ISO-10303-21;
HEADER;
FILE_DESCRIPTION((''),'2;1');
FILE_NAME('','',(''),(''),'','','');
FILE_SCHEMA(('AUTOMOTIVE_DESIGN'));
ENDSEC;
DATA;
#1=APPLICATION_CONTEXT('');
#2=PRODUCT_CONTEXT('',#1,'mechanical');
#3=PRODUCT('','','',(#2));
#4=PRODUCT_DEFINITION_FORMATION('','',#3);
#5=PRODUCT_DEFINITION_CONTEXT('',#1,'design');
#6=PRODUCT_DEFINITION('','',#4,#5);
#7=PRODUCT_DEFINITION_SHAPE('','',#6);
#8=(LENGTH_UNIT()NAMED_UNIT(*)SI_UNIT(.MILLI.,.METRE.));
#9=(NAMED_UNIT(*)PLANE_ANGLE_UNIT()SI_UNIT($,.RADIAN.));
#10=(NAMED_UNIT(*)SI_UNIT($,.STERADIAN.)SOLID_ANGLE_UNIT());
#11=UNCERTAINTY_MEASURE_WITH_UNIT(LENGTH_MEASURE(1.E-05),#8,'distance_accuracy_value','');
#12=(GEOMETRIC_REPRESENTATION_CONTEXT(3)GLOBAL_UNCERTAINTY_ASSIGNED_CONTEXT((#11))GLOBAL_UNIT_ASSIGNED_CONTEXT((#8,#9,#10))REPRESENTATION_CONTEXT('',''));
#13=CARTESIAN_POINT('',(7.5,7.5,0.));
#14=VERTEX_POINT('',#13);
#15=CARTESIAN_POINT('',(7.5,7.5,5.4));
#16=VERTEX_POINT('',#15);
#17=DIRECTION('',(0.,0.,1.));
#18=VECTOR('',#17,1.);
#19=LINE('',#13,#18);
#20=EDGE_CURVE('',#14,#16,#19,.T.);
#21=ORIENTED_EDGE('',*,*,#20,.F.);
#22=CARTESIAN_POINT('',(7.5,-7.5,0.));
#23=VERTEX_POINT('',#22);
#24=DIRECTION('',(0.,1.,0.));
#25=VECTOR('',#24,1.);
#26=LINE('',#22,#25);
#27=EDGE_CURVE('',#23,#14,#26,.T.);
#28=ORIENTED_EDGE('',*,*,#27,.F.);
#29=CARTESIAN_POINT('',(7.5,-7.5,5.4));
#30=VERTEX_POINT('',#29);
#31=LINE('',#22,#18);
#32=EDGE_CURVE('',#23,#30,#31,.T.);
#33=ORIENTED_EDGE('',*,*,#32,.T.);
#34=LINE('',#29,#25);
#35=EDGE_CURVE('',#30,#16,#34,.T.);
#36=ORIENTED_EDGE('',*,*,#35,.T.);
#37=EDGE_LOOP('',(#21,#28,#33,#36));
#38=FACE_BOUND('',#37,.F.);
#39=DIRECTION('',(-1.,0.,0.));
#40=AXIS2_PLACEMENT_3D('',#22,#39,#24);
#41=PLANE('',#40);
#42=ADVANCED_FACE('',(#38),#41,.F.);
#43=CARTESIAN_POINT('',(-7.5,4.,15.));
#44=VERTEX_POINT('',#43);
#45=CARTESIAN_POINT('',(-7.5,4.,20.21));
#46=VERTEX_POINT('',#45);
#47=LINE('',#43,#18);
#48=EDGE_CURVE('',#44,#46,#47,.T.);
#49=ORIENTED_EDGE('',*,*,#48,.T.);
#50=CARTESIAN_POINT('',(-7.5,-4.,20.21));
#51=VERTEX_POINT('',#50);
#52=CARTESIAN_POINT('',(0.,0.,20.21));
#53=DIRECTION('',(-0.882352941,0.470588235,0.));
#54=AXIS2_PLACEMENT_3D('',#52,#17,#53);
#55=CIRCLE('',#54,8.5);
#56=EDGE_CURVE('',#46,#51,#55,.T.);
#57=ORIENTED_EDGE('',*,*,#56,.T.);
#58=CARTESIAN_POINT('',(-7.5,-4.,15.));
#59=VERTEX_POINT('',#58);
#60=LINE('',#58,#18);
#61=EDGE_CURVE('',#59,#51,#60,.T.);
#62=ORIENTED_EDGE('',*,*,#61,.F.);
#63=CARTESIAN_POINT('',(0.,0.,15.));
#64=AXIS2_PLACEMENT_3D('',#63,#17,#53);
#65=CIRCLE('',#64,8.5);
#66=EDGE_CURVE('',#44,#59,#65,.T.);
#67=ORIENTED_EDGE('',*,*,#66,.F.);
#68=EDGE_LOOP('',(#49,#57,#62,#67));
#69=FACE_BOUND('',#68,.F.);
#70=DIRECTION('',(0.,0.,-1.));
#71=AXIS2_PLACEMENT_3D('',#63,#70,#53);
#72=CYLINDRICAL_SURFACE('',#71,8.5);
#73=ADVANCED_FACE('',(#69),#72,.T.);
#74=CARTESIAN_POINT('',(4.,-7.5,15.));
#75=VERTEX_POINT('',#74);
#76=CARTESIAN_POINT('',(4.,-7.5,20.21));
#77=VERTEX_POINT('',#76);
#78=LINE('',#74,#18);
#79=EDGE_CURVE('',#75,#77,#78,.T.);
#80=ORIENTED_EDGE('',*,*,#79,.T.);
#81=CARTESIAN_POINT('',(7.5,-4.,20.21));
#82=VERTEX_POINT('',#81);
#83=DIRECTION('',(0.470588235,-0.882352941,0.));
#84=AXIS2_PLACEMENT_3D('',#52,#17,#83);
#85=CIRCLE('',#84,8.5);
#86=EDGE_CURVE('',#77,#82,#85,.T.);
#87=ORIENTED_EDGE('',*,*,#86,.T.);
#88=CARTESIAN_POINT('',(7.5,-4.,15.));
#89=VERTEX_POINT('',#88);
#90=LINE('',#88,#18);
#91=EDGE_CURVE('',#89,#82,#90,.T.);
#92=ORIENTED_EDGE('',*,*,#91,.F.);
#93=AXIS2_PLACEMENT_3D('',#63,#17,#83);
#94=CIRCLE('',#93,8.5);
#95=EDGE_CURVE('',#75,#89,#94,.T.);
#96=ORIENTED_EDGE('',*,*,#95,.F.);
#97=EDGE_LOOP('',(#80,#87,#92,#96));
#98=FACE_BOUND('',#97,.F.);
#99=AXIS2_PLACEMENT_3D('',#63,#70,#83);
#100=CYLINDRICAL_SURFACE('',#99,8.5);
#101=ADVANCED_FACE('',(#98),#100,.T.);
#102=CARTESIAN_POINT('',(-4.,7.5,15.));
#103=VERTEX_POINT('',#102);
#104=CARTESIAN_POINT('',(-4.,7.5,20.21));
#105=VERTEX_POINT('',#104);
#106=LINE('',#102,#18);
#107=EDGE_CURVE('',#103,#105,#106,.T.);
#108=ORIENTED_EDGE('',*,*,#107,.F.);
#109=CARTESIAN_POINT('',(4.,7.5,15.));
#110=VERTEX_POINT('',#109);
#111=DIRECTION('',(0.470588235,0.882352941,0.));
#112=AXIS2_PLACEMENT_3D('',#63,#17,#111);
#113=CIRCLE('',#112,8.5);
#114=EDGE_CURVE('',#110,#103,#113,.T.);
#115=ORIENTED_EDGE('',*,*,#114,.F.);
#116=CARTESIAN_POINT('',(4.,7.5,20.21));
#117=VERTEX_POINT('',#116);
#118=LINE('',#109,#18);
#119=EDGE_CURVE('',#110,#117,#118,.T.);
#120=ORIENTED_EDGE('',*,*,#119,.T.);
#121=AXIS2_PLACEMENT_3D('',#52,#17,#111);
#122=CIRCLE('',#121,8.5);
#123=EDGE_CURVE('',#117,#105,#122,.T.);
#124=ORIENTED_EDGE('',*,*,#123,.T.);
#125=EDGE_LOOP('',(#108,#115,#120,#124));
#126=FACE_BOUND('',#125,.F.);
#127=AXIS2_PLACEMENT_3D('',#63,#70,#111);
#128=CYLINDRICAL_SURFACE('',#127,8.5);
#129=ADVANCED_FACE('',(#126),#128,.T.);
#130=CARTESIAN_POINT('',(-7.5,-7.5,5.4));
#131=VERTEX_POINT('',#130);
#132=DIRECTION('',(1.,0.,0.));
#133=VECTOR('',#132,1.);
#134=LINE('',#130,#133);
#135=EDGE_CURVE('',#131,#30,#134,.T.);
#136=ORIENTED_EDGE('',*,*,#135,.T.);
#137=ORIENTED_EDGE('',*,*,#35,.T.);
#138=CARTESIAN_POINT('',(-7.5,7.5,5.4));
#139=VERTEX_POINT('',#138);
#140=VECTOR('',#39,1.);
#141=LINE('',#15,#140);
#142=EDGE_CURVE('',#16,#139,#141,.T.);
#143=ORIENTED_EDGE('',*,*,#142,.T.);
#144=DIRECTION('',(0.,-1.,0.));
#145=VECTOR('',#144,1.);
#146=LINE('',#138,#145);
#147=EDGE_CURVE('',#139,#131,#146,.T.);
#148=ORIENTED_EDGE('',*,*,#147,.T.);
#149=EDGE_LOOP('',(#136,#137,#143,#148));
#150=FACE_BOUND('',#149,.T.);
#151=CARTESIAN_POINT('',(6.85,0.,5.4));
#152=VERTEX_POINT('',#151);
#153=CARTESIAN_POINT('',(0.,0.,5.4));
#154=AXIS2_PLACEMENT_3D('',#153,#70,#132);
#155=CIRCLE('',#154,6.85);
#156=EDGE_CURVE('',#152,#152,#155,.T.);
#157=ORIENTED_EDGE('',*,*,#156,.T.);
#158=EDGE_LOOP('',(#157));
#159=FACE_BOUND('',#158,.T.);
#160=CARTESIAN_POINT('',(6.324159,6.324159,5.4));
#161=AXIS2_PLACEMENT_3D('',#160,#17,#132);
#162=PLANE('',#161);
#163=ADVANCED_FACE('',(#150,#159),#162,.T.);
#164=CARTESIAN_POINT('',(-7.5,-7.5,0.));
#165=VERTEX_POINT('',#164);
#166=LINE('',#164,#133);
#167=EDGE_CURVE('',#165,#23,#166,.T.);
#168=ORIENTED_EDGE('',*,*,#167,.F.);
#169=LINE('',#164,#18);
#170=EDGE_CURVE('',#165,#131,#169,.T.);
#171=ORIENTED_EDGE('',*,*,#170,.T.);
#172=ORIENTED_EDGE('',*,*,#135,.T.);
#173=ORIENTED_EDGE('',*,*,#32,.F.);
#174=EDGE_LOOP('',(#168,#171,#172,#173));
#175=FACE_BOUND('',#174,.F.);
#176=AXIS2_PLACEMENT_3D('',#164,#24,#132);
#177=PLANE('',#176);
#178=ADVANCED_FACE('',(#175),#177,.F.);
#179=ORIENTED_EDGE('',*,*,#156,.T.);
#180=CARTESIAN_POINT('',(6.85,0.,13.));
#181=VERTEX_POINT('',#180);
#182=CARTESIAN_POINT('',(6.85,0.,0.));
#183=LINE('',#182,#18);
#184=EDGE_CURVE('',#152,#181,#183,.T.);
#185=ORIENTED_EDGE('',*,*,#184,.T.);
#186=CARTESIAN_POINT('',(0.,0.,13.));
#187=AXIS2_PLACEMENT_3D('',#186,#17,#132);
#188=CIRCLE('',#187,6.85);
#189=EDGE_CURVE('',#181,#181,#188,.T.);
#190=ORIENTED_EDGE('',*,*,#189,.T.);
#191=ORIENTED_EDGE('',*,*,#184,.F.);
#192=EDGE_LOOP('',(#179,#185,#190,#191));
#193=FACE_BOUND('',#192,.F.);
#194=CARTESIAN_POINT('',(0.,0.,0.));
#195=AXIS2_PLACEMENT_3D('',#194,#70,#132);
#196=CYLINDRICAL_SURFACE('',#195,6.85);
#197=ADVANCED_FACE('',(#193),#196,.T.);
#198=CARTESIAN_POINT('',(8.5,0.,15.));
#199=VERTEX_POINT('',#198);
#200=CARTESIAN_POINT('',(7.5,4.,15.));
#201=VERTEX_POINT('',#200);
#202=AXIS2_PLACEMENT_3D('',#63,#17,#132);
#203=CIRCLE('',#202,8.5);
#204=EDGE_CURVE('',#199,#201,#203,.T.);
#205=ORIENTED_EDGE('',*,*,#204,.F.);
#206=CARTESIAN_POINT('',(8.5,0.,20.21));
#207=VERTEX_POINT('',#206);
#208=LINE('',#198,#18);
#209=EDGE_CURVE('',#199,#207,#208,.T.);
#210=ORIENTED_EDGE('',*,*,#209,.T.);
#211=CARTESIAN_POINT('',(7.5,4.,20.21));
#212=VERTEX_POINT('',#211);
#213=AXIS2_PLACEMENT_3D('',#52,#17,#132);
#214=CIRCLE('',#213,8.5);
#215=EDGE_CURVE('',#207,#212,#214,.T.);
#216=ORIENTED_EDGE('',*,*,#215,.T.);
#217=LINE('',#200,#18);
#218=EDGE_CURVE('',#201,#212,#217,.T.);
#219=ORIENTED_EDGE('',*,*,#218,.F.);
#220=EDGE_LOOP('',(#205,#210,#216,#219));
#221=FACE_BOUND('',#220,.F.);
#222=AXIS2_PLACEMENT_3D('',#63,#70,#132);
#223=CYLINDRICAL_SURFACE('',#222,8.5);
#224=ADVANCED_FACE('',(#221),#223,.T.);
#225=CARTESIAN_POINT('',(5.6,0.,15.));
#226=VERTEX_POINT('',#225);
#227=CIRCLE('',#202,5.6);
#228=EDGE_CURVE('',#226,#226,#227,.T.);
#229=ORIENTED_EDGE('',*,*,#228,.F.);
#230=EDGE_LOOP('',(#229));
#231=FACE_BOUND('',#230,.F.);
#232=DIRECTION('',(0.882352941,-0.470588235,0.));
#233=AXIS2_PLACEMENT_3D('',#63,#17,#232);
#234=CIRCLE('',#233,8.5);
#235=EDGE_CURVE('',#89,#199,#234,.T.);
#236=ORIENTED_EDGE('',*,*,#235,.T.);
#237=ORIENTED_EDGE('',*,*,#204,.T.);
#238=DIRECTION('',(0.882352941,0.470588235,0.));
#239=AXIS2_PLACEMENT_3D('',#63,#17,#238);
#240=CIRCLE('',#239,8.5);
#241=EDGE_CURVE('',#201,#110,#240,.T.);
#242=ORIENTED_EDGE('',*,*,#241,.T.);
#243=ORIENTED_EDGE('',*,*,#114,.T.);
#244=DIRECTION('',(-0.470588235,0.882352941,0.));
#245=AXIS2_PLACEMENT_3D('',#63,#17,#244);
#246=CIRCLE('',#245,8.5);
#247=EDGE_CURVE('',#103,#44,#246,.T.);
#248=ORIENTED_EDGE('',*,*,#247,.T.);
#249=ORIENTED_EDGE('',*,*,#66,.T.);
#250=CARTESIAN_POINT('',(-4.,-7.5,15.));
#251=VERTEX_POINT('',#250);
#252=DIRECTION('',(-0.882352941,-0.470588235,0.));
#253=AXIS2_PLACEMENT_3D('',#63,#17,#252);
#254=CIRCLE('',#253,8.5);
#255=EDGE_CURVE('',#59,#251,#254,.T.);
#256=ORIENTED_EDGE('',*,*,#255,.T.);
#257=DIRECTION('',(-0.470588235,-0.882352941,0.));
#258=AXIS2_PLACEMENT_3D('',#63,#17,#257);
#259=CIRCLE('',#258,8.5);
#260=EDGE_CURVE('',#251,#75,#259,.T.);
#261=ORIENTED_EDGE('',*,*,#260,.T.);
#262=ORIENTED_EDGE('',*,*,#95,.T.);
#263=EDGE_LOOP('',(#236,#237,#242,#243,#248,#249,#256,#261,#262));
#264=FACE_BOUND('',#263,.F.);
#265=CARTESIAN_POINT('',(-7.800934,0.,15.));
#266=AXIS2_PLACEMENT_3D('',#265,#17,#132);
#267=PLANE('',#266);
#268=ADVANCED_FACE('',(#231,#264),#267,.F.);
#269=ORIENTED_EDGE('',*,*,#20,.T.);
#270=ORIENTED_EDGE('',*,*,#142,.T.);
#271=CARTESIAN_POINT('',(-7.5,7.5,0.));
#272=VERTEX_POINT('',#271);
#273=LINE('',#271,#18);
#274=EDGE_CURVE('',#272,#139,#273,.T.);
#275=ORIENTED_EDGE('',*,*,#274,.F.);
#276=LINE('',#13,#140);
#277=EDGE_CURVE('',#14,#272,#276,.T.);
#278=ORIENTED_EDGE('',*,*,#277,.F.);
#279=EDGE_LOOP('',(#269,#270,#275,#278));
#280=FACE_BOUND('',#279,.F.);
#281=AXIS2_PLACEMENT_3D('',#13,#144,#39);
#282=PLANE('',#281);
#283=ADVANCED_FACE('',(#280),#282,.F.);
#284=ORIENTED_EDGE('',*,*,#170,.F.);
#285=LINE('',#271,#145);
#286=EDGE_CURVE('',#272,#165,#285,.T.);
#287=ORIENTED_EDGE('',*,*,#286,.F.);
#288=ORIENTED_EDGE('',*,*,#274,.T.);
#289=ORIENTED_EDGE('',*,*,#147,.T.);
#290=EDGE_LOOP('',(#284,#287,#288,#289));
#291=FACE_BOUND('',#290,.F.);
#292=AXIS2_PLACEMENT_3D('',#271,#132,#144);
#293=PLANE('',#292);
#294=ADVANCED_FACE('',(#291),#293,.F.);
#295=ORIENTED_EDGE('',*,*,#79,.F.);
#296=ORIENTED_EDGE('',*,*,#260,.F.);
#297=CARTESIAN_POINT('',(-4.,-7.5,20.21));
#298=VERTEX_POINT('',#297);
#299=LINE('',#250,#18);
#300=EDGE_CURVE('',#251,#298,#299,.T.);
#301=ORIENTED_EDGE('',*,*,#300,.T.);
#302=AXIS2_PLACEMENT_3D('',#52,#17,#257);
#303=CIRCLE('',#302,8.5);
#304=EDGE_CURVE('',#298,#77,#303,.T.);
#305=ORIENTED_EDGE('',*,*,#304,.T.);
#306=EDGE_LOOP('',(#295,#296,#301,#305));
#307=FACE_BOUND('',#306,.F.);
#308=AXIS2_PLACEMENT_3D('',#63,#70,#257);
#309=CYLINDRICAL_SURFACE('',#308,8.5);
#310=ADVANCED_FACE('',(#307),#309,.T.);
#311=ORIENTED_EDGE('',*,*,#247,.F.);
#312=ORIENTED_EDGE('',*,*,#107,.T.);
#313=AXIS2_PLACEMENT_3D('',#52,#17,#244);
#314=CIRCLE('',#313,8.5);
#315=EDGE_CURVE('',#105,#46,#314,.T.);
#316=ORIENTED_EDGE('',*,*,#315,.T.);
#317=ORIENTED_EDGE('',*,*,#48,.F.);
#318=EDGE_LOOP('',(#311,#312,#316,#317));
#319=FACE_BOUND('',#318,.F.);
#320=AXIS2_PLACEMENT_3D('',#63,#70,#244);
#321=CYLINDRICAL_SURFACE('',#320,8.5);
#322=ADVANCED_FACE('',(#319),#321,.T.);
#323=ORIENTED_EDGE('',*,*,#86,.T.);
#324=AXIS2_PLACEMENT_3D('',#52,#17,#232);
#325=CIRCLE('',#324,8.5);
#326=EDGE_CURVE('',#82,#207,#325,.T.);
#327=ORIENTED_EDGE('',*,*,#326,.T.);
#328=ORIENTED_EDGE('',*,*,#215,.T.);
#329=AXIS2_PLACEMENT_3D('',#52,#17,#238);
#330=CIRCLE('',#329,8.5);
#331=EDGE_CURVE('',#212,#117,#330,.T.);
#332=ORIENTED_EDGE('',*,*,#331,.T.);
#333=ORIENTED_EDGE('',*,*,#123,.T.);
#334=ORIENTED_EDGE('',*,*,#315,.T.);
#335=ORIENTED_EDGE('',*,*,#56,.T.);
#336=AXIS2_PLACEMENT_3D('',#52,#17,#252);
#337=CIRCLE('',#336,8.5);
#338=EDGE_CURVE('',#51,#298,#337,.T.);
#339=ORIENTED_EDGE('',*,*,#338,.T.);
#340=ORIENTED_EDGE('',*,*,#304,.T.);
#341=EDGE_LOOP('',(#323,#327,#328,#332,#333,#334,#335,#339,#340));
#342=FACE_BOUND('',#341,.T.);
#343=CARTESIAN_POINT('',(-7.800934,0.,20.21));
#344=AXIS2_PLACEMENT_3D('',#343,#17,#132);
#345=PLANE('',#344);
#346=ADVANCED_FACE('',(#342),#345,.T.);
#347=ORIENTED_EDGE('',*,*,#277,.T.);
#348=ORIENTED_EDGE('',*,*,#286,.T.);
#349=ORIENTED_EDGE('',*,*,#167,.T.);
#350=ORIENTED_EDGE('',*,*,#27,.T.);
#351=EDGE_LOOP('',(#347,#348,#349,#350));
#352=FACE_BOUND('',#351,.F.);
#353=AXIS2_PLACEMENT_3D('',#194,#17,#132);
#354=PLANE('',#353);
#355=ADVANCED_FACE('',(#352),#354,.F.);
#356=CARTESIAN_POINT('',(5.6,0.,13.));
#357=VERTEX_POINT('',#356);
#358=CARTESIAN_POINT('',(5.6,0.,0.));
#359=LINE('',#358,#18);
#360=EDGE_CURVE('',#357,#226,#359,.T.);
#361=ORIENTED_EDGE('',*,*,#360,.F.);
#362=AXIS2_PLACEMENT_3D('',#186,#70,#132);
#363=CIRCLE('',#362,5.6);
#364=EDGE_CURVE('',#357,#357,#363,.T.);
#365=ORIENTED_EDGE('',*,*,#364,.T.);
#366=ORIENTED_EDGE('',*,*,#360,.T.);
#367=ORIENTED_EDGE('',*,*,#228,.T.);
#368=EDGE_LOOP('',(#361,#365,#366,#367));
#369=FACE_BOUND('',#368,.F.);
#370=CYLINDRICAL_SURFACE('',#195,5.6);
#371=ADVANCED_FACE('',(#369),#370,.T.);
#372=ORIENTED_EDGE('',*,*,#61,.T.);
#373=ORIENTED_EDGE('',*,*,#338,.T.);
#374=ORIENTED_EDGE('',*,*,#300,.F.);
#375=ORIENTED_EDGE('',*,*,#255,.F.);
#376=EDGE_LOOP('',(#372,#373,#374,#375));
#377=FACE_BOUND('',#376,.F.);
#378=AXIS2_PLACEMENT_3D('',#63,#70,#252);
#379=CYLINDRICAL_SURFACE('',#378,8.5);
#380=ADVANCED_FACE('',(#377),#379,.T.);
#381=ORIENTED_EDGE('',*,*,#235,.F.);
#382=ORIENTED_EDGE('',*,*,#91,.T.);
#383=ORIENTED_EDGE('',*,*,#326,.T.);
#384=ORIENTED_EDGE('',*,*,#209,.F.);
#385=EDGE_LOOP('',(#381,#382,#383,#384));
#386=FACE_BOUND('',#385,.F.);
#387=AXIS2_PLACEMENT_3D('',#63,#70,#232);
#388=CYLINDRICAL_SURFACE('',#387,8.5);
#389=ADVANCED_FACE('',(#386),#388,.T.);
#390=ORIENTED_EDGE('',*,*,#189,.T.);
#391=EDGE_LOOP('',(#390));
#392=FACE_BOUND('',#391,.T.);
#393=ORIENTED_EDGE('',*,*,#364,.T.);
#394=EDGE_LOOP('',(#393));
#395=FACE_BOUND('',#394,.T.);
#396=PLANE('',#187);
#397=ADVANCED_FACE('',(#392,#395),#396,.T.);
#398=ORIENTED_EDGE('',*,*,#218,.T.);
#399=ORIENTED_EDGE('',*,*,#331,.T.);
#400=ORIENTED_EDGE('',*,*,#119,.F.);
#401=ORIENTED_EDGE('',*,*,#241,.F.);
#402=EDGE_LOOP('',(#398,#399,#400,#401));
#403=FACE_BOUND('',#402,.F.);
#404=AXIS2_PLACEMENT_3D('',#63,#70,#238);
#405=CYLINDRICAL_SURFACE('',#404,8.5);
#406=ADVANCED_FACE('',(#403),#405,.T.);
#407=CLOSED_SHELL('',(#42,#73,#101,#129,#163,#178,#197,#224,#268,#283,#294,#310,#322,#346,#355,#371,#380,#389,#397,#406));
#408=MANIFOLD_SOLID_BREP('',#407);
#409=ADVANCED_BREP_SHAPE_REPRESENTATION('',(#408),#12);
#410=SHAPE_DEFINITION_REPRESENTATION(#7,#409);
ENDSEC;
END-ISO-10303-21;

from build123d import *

# Parameters (mm, degrees)
F0_R     = 6.85
F0_R_2   = 5.6
F1_DEPTH = 5.4
F2_DEPTH = 13
F3_DEPTH = 15
F4_START = 15
F4_DEPTH = 5.21


with BuildPart() as f1:
    # F0 (on Top) → F1 (new body)
    with BuildSketch(Plane.XY):
        with BuildLine():
            ThreePointArc((4, 7.5), (6.0104076401, 6.0104076401), (7.5, 4))
            Line((7.5, 4), (7.5, 7.5))
            Line((7.5, 7.5), (4, 7.5))
        make_face()
        with BuildLine():
            Line((7.5, -4), (7.5, 4))
            ThreePointArc((7.5, 4), (6.0104076401, 6.0104076401), (4, 7.5))
            Line((4, 7.5), (-4, 7.5))
            ThreePointArc((-4, 7.5), (-6.0104076401, 6.0104076401), (-7.5, 4))
            Line((-7.5, 4), (-7.5, -4))
            ThreePointArc((-7.5, -4), (-6.0104076401, -6.0104076401), (-4, -7.5))
            Line((-4, -7.5), (4, -7.5))
            ThreePointArc((4, -7.5), (6.0104076401, -6.0104076401), (7.5, -4))
        make_face()
        Circle(F0_R, mode=Mode.SUBTRACT)
        Circle(F0_R)
        Circle(F0_R_2, mode=Mode.SUBTRACT)
        Circle(F0_R_2)
        with BuildLine():
            ThreePointArc((-7.5, 4), (-6.0104076401, 6.0104076401), (-4, 7.5))
            Line((-4, 7.5), (-7.5, 7.5))
            Line((-7.5, 7.5), (-7.5, 4))
        make_face()
        with BuildLine():
            Line((-7.5, -7.5), (-4, -7.5))
            ThreePointArc((-4, -7.5), (-6.0104076401, -6.0104076401), (-7.5, -4))
            Line((-7.5, -4), (-7.5, -7.5))
        make_face()
        with BuildLine():
            Line((7.5, -7.5), (7.5, -4))
            ThreePointArc((7.5, -4), (6.0104076401, -6.0104076401), (4, -7.5))
            Line((4, -7.5), (7.5, -7.5))
        make_face()
    extrude(amount=F1_DEPTH)

    # F0 (on Top) → F2 (join)
    with BuildSketch(Plane.XY):
        Circle(F0_R)
        Circle(F0_R_2, mode=Mode.SUBTRACT)
        Circle(F0_R_2)
    extrude(amount=F2_DEPTH)

    # F0 (on Top) → F3 (join)
    with BuildSketch(Plane.XY):
        Circle(F0_R_2)
    extrude(amount=F3_DEPTH)

    # F0 (on Top) → F4 (join)
    with BuildSketch(Plane.XY.offset(F4_START)):
        with BuildLine():
            Line((-7.5, -4), (-7.5, 4))
            ThreePointArc((-7.5, 4), (-8.5, 0), (-7.5, -4))
        make_face()
        with BuildLine():
            Line((7.5, -4), (7.5, 4))
            ThreePointArc((7.5, 4), (6.0104076401, 6.0104076401), (4, 7.5))
            Line((4, 7.5), (-4, 7.5))
            ThreePointArc((-4, 7.5), (-6.0104076401, 6.0104076401), (-7.5, 4))
            Line((-7.5, 4), (-7.5, -4))
            ThreePointArc((-7.5, -4), (-6.0104076401, -6.0104076401), (-4, -7.5))
            Line((-4, -7.5), (4, -7.5))
            ThreePointArc((4, -7.5), (6.0104076401, -6.0104076401), (7.5, -4))
        make_face()
        Circle(F0_R, mode=Mode.SUBTRACT)
        Circle(F0_R)
        Circle(F0_R_2, mode=Mode.SUBTRACT)
        Circle(F0_R_2)
        with BuildLine():
            ThreePointArc((-4, -7.5), (0, -8.5), (4, -7.5))
            Line((4, -7.5), (-4, -7.5))
        make_face()
        with BuildLine():
            ThreePointArc((7.5, -4), (8.2462112512, -2.0615528128), (8.5, 0))
            ThreePointArc((8.5, 0), (8.2462112512, 2.0615528128), (7.5, 4))
            Line((7.5, 4), (7.5, -4))
        make_face()
        with BuildLine():
            Line((-4, 7.5), (4, 7.5))
            ThreePointArc((4, 7.5), (0, 8.5), (-4, 7.5))
        make_face()
    extrude(amount=F4_DEPTH)


solid = f1.part
